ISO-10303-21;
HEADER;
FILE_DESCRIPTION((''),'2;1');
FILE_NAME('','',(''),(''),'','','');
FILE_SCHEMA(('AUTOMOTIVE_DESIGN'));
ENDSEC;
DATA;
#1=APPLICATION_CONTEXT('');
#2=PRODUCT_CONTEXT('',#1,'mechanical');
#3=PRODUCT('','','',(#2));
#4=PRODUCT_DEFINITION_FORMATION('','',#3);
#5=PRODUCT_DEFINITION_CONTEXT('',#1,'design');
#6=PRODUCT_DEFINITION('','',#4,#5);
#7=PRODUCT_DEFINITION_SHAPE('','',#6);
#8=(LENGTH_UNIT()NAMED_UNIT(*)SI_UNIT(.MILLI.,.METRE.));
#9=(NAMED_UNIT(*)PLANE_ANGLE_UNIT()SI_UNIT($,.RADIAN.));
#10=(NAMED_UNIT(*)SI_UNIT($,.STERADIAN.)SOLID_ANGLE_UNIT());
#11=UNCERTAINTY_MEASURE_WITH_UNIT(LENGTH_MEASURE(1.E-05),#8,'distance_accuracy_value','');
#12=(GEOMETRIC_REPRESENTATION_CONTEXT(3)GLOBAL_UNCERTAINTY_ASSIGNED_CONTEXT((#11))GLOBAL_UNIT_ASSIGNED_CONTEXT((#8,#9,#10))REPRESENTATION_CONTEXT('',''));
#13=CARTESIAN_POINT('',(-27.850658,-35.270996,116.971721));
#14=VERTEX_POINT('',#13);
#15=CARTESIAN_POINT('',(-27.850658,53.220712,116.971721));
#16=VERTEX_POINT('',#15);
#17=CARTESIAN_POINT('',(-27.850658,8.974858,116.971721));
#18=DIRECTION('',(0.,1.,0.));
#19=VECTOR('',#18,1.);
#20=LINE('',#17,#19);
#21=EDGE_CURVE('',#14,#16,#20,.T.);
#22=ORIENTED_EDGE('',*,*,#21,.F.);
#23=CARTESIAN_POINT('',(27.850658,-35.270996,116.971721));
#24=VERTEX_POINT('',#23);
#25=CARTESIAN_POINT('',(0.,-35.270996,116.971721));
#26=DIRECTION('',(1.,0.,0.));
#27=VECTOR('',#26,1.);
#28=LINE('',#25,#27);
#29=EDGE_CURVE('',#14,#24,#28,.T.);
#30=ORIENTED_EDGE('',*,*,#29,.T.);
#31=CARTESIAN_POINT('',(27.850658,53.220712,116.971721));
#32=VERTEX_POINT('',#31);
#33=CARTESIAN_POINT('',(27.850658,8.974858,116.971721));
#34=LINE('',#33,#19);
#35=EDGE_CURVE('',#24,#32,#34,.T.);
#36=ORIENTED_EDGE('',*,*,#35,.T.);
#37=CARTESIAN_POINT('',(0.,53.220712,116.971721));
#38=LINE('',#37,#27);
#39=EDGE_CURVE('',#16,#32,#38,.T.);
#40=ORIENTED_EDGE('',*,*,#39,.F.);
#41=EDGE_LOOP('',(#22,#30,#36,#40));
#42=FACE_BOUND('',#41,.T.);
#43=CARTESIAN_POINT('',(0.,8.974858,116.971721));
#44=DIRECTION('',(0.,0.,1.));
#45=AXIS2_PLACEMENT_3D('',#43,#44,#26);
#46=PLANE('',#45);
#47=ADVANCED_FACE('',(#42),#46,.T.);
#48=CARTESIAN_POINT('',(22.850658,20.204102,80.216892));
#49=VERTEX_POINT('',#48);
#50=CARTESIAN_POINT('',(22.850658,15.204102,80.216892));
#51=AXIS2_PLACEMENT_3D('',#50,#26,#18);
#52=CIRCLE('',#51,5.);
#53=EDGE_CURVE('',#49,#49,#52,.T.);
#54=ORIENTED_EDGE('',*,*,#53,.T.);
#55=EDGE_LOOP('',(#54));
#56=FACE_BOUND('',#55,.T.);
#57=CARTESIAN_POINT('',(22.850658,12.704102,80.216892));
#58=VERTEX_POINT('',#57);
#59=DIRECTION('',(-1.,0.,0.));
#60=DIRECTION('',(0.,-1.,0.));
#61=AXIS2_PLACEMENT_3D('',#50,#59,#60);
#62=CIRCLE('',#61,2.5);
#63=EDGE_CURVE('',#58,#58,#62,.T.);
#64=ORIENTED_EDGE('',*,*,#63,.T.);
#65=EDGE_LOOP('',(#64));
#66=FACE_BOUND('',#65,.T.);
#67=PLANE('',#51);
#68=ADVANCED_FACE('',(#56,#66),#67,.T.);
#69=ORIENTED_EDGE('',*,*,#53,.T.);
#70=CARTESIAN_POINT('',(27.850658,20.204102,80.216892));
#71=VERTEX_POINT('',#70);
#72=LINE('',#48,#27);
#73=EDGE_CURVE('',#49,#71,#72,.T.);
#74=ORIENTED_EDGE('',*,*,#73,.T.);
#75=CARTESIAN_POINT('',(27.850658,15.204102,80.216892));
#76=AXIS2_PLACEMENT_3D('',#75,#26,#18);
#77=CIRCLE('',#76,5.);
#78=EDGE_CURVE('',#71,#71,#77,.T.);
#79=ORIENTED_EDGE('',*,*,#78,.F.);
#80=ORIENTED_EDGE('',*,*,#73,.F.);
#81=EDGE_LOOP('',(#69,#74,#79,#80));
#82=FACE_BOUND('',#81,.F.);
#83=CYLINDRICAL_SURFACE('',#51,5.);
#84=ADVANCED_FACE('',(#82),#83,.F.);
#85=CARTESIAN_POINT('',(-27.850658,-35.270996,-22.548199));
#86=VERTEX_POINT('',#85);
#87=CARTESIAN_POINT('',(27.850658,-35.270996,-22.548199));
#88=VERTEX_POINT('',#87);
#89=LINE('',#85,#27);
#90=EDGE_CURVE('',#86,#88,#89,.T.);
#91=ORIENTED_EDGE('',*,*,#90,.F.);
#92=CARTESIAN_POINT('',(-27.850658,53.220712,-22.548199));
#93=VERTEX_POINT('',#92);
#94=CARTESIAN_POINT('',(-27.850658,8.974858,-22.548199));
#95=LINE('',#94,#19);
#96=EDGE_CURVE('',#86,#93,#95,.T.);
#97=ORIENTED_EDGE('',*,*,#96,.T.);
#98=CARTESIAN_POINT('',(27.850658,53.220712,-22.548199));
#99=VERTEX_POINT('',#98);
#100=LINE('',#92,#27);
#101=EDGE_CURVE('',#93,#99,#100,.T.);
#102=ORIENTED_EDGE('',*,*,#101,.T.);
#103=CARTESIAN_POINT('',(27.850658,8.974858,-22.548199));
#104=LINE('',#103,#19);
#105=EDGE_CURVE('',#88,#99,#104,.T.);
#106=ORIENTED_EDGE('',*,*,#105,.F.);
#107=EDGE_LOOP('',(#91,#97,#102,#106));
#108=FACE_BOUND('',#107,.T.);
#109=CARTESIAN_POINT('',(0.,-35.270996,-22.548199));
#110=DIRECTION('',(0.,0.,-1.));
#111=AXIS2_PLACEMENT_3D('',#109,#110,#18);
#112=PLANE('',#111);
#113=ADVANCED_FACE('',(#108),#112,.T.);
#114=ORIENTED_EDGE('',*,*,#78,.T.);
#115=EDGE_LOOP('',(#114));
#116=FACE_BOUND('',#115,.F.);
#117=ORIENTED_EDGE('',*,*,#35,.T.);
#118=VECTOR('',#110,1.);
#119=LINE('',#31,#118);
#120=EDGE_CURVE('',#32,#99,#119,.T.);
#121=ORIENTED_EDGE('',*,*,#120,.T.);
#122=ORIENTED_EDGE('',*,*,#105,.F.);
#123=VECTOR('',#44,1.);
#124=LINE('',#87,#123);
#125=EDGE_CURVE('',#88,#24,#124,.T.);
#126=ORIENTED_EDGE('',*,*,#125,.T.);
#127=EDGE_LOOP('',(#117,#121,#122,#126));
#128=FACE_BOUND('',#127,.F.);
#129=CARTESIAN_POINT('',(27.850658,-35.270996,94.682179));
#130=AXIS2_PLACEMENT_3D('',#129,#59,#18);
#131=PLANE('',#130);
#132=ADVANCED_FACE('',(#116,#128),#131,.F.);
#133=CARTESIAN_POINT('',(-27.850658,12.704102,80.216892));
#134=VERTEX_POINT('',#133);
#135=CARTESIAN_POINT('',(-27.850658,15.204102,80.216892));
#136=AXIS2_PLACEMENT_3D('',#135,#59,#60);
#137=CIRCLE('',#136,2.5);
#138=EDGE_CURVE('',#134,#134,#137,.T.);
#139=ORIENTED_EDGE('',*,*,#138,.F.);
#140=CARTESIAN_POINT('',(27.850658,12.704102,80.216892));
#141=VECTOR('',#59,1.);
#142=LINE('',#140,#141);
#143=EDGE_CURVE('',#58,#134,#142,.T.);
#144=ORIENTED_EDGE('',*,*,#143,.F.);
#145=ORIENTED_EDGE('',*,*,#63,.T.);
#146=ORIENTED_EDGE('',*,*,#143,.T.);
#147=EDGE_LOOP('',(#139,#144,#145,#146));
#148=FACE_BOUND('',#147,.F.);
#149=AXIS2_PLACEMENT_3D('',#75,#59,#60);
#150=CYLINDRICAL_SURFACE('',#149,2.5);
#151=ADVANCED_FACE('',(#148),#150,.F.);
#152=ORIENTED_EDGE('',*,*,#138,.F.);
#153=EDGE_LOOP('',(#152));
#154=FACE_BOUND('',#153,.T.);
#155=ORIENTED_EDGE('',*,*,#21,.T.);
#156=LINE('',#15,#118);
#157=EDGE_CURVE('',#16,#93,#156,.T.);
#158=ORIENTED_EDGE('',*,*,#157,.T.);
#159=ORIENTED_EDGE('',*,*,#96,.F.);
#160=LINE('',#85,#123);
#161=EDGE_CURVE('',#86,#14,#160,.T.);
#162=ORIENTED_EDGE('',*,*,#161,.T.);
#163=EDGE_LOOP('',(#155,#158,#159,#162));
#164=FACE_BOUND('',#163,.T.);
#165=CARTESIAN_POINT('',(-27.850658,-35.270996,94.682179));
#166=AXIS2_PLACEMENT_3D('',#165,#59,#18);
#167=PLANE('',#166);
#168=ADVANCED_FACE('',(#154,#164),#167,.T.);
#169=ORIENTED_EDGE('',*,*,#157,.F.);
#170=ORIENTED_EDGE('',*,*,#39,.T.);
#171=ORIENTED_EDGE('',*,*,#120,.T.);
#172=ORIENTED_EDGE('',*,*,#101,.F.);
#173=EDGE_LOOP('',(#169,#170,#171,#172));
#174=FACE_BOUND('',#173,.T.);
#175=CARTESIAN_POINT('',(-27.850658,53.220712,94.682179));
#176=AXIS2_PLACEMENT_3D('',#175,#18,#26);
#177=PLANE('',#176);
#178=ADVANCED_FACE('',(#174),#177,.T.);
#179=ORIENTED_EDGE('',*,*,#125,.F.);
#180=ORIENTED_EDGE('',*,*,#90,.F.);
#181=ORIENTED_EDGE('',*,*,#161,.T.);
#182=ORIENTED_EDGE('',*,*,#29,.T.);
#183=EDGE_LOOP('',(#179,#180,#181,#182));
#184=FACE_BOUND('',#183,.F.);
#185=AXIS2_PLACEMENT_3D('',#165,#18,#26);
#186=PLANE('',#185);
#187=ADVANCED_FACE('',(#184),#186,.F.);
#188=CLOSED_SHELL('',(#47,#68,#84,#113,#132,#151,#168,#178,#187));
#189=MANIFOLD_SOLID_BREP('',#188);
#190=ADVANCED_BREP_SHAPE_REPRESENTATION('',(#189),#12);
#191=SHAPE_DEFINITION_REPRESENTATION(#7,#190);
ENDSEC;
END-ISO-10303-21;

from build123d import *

# Parameters (mm, degrees)
F0_W           = 88.491708
F0_H           = 117.230378
F1_DEPTH       = 27.850658
F1_FACE_W      = 55.701316
F1_FACE_H      = 88.491708
F2_DEPTH       = 22.289542
F4_D           = 5
F4_CBORE_D     = 10
F4_CBORE_DEPTH = 5


with BuildPart() as f1:
    # F0 (on Right) → F1 (new body, symmetric)
    with BuildSketch(Plane.YZ):
        with Locations((8.974858, 36.06699)):
            Rectangle(F0_W, F0_H)
    extrude(amount=F1_DEPTH, both=True)

    # F1_face (on face) → F2 (join)
    with BuildSketch(Plane(origin=(0, 8.974858, 94.682179), x_dir=(1, 0, 0), z_dir=(0, 0, 1))):
        Rectangle(F1_FACE_W, F1_FACE_H)
    extrude(amount=F2_DEPTH)

    # F4 (through all)
    with Locations(Plane.YZ.offset(27.850658)):
        with Locations((15.204102, 80.216892)):
            CounterBoreHole(F4_D / 2, F4_CBORE_D / 2, F4_CBORE_DEPTH)


solid = f1.part
